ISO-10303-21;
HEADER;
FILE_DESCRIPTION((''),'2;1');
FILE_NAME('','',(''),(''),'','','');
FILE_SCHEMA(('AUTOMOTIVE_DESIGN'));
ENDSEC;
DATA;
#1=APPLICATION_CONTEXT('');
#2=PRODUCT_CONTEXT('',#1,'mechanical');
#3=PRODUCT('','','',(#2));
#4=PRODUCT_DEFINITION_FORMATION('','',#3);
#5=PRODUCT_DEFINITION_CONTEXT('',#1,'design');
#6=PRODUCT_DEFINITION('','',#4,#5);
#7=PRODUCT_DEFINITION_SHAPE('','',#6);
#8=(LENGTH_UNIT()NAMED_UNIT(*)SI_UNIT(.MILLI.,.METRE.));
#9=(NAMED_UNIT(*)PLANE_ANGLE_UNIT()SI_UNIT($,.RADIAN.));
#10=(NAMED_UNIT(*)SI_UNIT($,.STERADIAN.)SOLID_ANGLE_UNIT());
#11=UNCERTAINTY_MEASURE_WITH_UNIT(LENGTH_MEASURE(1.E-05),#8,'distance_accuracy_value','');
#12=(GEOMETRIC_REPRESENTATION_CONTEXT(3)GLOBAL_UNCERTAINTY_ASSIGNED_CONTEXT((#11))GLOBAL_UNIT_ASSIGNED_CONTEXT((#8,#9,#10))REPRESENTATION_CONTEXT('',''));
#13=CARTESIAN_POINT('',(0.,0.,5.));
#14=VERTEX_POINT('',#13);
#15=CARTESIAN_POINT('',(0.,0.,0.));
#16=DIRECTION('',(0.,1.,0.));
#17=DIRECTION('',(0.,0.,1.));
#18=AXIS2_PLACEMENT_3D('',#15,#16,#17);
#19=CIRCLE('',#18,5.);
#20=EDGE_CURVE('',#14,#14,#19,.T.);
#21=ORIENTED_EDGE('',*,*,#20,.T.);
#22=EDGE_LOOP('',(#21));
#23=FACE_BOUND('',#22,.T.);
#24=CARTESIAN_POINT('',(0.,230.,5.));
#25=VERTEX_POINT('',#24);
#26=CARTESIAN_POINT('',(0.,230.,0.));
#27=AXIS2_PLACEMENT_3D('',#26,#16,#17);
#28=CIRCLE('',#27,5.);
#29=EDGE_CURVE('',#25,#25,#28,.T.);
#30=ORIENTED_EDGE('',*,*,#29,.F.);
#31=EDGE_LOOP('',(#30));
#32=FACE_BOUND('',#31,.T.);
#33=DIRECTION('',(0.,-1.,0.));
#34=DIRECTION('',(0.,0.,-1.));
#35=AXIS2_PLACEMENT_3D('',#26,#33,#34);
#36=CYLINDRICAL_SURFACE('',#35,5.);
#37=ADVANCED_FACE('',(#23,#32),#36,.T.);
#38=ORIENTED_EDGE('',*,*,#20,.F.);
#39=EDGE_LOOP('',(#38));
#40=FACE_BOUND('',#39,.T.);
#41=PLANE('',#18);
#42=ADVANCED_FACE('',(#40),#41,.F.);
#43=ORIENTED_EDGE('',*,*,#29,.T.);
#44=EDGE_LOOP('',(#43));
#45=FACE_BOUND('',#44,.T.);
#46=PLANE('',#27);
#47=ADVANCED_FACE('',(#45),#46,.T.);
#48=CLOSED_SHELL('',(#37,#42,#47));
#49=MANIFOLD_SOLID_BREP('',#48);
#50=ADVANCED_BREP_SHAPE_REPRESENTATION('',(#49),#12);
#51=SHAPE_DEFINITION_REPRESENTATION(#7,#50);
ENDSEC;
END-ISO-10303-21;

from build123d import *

# Parameters (mm, degrees)
SKETCH1_R           = 5
BOSS_EXTRUDE1_DEPTH = 230


with BuildPart() as part:
    # Sketch1 → Boss-Extrude1 (new body)
    with BuildSketch(Plane(origin=(0, 0, 0), x_dir=(1, 0, 0), z_dir=(0, 1, 0))):
        Circle(SKETCH1_R)
    extrude(amount=BOSS_EXTRUDE1_DEPTH)


solid = part.part
